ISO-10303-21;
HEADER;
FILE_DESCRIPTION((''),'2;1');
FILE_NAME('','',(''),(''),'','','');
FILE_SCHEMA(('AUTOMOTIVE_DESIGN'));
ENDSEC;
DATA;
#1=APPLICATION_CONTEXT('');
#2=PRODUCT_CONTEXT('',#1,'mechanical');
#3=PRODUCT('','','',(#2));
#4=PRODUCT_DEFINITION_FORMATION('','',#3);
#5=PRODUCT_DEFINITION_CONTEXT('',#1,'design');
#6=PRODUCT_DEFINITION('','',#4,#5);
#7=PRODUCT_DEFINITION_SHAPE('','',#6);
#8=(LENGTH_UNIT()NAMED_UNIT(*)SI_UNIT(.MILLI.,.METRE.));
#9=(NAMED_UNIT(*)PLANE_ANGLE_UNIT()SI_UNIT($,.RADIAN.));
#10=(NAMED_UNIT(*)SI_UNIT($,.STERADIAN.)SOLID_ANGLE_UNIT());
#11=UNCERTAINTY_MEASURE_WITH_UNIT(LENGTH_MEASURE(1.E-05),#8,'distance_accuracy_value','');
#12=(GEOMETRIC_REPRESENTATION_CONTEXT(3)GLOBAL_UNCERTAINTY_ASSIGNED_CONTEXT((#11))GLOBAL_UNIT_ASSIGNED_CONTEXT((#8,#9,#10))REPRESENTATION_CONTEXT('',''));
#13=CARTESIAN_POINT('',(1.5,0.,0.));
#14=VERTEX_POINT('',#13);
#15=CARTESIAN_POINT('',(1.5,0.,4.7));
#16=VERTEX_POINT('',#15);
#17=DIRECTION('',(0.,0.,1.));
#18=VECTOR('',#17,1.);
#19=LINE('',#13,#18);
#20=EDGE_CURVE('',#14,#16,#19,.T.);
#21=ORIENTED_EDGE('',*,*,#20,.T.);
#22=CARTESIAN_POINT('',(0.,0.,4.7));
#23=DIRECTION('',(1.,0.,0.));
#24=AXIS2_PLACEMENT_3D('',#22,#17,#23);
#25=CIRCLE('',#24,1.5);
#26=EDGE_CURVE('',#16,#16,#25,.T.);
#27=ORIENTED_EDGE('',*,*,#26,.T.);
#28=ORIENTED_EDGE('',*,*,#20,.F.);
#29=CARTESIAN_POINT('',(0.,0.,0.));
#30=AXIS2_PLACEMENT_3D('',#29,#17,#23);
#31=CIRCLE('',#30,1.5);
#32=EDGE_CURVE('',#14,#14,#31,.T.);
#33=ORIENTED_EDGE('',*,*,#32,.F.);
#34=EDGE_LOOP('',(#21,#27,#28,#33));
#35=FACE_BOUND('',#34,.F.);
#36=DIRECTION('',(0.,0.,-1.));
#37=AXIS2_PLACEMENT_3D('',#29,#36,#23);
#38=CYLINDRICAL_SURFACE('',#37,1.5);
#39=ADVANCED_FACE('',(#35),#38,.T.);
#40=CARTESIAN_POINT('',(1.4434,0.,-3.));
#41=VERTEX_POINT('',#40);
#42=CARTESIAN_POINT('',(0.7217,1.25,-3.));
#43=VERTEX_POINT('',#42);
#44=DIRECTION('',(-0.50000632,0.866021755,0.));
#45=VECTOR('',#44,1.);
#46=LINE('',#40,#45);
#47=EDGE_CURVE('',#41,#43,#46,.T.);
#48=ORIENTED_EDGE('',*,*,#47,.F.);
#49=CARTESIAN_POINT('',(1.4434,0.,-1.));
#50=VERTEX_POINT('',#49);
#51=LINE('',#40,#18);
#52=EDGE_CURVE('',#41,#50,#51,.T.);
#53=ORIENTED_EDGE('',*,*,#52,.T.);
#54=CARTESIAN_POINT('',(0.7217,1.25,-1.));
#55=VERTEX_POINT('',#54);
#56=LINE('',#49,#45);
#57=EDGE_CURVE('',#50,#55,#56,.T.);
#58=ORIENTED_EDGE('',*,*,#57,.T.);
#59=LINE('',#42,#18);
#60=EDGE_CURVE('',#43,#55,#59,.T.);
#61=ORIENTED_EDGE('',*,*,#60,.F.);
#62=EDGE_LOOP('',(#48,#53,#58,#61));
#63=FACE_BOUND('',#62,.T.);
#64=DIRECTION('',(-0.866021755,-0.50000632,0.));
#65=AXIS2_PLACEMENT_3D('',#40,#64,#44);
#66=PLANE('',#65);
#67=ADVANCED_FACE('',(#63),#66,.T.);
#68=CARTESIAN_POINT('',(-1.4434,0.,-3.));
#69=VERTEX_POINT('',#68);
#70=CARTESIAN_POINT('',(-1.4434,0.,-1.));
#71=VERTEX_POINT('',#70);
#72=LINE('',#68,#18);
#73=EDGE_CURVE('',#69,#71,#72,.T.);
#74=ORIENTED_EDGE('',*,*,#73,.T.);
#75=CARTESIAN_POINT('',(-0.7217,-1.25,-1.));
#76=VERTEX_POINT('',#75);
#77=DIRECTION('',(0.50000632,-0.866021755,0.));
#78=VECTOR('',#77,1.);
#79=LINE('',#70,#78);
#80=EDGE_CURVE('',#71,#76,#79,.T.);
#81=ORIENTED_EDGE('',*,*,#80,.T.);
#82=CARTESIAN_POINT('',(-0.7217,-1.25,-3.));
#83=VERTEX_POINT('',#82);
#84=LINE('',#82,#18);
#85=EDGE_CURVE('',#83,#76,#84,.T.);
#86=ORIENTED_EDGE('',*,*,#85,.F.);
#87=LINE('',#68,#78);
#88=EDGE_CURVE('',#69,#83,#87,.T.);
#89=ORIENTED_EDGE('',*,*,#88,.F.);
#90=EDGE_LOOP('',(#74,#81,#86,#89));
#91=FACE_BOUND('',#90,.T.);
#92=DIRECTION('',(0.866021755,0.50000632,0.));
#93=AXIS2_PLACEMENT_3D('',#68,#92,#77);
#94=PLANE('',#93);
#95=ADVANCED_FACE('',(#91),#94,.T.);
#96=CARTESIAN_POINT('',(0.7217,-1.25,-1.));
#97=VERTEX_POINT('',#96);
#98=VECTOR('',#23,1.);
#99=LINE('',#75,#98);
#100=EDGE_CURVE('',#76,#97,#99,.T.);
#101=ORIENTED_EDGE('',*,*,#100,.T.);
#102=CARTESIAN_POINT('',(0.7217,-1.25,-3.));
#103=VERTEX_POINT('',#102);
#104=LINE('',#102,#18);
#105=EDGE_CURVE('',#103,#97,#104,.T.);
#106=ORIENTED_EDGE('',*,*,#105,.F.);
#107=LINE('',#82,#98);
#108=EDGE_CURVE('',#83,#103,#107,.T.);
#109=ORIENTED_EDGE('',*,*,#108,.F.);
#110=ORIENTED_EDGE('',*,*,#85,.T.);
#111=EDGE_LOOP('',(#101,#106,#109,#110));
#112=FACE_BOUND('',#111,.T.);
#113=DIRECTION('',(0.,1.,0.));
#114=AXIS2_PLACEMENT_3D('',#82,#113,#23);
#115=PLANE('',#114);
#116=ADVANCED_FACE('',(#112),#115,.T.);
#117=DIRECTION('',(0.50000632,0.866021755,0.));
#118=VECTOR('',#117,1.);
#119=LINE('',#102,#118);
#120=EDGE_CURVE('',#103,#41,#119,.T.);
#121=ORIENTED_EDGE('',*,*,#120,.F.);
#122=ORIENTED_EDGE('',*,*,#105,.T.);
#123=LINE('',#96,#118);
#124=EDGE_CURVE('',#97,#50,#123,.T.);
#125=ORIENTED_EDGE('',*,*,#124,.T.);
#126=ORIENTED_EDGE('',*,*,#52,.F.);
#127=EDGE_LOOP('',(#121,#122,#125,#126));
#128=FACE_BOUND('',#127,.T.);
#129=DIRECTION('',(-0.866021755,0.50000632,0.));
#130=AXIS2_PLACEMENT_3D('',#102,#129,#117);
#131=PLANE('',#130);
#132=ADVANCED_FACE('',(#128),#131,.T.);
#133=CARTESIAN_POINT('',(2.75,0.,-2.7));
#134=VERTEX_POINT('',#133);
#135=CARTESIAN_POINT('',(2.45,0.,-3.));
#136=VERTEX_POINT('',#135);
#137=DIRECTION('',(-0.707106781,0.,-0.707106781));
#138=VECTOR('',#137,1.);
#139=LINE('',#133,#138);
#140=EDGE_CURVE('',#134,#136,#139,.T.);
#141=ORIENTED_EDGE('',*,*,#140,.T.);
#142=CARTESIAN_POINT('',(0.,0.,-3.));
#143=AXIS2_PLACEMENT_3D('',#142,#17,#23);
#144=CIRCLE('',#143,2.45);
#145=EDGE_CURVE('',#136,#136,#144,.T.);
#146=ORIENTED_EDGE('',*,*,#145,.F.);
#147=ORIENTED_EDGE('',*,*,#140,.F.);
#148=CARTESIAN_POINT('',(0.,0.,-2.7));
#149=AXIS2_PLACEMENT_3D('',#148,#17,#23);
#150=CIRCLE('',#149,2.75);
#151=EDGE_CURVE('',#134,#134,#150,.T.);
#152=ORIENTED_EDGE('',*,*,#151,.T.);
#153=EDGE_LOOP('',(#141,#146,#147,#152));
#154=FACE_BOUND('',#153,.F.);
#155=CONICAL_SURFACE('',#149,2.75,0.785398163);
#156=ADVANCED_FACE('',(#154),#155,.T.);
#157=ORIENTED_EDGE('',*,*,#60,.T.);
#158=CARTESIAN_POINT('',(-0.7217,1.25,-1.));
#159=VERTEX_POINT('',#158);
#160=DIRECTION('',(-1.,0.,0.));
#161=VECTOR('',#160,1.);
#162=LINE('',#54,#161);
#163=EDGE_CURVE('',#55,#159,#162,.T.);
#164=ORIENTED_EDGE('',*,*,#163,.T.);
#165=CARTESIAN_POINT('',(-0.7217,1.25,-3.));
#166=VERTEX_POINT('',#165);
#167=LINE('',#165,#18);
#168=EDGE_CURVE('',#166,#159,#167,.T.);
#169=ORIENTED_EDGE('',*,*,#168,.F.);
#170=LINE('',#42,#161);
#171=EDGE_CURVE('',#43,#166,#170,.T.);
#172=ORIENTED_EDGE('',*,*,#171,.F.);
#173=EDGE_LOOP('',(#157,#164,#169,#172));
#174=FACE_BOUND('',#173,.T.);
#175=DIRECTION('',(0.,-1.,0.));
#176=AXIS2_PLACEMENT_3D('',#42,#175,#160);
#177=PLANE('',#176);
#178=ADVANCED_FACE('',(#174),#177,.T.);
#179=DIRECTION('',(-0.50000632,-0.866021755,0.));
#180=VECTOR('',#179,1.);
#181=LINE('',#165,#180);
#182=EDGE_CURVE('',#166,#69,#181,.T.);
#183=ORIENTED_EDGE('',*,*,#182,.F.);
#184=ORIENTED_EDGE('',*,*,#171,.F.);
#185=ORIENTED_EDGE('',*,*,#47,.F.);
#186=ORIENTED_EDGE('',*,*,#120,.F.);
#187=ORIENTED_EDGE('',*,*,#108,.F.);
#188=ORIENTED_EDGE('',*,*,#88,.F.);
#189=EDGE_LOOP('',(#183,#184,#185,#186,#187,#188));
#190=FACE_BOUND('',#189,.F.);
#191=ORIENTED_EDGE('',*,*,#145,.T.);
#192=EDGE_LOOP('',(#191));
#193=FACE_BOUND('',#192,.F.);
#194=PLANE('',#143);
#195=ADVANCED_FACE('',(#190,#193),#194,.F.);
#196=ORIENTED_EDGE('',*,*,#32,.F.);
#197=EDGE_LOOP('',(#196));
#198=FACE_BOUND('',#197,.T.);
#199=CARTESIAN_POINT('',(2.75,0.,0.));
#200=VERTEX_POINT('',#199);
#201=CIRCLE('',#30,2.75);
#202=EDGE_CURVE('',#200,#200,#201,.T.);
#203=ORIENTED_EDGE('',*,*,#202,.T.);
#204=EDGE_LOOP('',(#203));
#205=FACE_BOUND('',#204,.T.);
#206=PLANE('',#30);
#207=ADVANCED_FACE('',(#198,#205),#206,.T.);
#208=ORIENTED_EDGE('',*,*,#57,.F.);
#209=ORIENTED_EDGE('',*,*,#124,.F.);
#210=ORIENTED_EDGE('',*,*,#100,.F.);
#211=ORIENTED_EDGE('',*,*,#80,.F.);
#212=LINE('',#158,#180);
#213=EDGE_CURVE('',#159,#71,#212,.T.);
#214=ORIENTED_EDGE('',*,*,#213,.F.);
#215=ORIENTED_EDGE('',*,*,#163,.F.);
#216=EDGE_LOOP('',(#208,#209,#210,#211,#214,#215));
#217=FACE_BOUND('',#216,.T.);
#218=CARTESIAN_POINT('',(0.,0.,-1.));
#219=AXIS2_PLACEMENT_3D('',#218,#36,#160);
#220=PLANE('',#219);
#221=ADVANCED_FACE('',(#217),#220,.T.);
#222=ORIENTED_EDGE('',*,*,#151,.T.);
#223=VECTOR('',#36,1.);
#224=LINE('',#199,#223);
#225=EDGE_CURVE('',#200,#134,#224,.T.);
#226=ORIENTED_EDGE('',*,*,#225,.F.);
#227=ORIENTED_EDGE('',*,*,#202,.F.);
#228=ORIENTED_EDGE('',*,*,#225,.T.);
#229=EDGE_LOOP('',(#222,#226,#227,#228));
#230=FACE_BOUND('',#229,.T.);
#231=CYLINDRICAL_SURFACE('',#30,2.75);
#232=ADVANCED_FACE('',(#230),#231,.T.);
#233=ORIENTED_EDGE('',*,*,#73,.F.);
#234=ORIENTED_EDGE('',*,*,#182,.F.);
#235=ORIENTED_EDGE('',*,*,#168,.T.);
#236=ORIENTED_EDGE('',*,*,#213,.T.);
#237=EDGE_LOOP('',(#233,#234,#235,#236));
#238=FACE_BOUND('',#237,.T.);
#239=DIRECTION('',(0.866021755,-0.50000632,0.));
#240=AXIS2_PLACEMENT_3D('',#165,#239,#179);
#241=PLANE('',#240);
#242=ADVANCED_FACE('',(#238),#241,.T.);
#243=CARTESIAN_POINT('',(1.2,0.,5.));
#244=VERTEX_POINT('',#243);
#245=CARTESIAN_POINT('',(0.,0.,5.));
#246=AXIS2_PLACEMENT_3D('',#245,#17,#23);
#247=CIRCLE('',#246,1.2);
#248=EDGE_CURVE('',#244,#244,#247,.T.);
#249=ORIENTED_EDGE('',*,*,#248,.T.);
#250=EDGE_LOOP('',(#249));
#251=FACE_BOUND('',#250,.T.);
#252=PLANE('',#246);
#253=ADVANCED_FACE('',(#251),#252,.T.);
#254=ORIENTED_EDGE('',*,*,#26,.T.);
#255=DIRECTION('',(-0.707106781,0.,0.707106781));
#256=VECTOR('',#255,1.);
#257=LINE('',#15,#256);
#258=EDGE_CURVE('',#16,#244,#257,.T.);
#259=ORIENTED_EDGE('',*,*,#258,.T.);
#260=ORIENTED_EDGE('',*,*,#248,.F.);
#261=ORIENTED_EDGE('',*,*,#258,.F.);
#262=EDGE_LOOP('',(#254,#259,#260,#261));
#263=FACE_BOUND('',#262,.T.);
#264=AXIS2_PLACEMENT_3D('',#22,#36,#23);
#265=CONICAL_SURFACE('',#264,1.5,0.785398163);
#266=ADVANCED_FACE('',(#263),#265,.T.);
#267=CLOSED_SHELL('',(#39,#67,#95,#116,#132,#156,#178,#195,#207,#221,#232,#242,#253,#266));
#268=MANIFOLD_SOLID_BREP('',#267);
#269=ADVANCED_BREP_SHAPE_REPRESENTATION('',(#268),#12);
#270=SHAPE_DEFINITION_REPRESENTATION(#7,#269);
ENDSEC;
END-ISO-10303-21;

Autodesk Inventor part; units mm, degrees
ref_plane "YZ Plane" through (0, 0, 0) normal (1, 0, 0) x (0, 1, 0)
ref_plane "XZ Plane" through (0, 0, 0) normal (0, 1, 0) x (-1, 0, 0)
ref_plane "XY Plane" through (0, 0, 0) normal (0, 0, 1) x (1, 0, 0)
sketch "Sketch1" plane through (0, 0, 0) normal (0, 0, 1) x (1, 0, 0)
  circle A0 centre (0, 0) radius 2.75
  dimension "d0" = 5.5
extrude "Extrusion1" add sketch "Sketch1" against normal blind 3
sketch "Sketch2" plane through (0, 0, 0) normal (0, 0, 1) x (1, 0, 0)
  circle A0 centre (0, 0) radius 1.5
  dimension "d3" = 3
extrude "Extrusion2" add sketch "Sketch2" along normal blind 5
chamfer "Chamfer1" distance 0.3 angle 45 2 edges at (-2.75, 0, -3) (-1.5, 0, 5)
sketch "Sketch3" plane through (0, 0, -3) normal (0, 0, -1) x (-1, 0, 0)
  line L0 (-0.7217, -1.25) -> (-1.4434, 0)
  line L1 (-1.4434, 0) -> (-0.7217, 1.25)
  line L2 (-0.7217, 1.25) -> (0.7217, 1.25)
  line L3 (0.7217, 1.25) -> (1.4434, 0)
  line L4 (1.4434, 0) -> (0.7217, -1.25)
  line L5 (0.7217, -1.25) -> (-0.7217, -1.25)
  point P0 (0, 0)
  point P1 (0, 0)
  dimension "d9" = 2.5
extrude "Extrusion3" cut sketch "Sketch3" against normal blind 2
properties part number "socket_head_cap_screw_M3x5"
